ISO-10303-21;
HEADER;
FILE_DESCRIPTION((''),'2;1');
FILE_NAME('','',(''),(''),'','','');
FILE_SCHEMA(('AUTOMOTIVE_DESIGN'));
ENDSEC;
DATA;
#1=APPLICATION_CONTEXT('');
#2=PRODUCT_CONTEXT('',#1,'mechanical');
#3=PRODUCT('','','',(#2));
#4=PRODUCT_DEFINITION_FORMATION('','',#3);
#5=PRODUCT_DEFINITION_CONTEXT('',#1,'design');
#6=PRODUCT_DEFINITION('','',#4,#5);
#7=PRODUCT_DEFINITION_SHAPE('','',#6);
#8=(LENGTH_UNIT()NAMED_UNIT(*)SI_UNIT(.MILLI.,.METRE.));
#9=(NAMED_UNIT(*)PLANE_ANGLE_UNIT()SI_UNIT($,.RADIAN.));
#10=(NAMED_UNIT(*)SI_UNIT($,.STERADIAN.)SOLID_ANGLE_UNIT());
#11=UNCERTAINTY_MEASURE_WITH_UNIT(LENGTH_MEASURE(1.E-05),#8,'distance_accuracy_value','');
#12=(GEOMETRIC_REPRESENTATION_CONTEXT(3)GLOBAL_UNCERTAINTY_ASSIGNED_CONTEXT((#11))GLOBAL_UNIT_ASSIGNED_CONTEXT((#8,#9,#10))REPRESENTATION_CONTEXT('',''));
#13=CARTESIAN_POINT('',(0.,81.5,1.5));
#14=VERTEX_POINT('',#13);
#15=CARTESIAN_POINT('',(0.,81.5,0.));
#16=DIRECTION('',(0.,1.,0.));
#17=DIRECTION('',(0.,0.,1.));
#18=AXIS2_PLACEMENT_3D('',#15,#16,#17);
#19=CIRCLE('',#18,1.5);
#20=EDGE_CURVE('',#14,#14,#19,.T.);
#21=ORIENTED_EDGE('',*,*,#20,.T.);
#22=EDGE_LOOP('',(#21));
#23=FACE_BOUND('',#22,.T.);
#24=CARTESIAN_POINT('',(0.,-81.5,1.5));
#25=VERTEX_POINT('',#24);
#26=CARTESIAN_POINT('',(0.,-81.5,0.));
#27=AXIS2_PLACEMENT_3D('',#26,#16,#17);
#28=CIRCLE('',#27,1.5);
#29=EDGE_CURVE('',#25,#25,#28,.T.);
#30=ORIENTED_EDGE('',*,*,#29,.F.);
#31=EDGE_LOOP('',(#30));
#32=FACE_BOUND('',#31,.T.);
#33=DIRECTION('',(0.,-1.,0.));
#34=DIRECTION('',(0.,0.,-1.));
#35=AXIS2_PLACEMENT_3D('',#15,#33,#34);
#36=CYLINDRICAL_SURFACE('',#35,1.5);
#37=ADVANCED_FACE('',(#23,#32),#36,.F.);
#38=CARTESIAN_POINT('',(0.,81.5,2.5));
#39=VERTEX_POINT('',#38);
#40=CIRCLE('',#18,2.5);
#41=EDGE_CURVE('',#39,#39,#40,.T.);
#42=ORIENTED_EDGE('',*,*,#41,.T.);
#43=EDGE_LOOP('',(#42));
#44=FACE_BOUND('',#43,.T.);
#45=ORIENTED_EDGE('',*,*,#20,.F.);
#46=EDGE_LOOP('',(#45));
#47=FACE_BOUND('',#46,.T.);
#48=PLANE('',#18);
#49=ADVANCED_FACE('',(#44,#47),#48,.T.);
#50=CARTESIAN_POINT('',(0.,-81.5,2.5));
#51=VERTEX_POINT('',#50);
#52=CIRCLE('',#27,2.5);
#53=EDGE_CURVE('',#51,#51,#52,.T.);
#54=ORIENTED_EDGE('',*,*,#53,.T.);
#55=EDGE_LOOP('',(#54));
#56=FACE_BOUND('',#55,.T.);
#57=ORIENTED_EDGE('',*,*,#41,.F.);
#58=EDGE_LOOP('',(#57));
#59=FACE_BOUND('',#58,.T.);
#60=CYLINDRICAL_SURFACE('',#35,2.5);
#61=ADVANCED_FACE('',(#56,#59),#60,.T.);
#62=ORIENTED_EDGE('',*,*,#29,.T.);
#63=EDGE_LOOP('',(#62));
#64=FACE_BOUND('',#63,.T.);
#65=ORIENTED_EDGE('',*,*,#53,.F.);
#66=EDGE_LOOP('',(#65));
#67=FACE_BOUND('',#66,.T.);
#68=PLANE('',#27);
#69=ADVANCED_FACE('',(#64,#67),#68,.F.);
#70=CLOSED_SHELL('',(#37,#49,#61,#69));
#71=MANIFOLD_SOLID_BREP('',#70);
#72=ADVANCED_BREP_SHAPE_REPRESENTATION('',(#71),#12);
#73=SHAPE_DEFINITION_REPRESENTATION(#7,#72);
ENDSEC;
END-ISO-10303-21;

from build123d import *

# Parameters (mm, degrees)
SKETCH2_R           = 2.5
SKETCH2_R_2         = 1.5
BOSS_EXTRUDE3_DEPTH = 81.5


with BuildPart() as part:
    # Sketch2 → Boss-Extrude3 (new body, symmetric)
    with BuildSketch(Plane(origin=(0, 0, 0), x_dir=(1, 0, 0), z_dir=(0, 1, 0))):
        Circle(SKETCH2_R)
        Circle(SKETCH2_R_2, mode=Mode.SUBTRACT)
    extrude(amount=BOSS_EXTRUDE3_DEPTH, both=True)


solid = part.part
